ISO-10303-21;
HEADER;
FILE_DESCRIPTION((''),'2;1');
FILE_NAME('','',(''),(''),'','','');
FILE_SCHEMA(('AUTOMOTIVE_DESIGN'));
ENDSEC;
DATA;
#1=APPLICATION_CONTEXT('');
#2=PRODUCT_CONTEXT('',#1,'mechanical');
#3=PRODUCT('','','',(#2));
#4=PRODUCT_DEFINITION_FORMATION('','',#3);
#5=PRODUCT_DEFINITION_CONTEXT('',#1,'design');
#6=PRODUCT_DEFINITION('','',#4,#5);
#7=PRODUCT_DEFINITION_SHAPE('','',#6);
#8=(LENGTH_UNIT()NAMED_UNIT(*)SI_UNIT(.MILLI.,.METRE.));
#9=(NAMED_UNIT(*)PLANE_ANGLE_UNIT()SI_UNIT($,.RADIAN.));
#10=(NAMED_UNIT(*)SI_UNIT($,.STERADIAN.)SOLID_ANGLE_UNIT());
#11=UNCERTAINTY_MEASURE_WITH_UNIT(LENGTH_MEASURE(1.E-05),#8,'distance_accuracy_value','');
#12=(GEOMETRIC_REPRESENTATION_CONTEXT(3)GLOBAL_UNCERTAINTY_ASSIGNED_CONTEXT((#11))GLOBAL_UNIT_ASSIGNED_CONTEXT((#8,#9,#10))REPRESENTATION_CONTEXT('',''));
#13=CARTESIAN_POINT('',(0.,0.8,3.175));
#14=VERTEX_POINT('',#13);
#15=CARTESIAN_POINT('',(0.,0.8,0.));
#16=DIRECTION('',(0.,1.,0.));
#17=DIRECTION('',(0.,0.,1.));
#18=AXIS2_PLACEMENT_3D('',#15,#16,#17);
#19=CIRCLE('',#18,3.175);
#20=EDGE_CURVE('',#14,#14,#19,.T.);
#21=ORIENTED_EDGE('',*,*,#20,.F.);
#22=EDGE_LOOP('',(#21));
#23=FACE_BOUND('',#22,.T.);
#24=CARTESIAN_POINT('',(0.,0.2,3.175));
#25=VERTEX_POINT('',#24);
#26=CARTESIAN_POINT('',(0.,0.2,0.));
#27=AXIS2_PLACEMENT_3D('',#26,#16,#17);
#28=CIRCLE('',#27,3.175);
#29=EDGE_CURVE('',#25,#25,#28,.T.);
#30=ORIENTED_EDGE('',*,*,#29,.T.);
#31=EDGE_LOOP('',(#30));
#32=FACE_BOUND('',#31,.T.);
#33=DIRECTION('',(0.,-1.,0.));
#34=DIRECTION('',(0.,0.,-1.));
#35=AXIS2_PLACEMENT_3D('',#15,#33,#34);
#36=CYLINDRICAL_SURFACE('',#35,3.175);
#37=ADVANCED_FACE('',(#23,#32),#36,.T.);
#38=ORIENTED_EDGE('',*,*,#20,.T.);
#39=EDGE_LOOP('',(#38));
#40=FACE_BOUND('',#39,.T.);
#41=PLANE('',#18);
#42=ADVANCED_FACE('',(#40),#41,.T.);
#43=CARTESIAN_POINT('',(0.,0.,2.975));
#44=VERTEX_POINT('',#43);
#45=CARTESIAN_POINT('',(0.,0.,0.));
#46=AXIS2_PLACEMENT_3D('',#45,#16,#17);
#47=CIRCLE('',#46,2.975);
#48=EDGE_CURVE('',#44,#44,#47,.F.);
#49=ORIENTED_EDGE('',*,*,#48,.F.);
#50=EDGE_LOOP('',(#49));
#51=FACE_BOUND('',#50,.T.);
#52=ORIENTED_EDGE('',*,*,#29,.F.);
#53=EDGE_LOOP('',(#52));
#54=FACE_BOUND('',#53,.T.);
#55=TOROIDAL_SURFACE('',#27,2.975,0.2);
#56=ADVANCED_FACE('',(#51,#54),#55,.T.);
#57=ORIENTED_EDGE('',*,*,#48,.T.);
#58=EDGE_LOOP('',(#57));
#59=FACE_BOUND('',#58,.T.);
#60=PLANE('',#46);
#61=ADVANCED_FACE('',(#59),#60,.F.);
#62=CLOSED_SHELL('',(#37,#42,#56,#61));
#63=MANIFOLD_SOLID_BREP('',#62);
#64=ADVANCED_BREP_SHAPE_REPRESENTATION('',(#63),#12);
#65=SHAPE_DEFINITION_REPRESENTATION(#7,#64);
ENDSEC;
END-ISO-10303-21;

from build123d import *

# Parameters (mm, degrees)
SKETCH1_R           = 3.175
BOSS_EXTRUDE1_DEPTH = 0.8
FILLET3_R           = 0.2


with BuildPart() as part:
    # Sketch1 → Boss-Extrude1 (new body)
    with BuildSketch(Plane(origin=(0, 0, 0), x_dir=(1, 0, 0), z_dir=(0, 1, 0))):
        Circle(SKETCH1_R)
    extrude(amount=BOSS_EXTRUDE1_DEPTH)

    # Fillet3
    fillet3_edges = [part.edges().sort_by_distance(p)[0] for p in [
        (-3.175, 0, 0),
    ]]
    fillet(fillet3_edges, radius=FILLET3_R)


solid = part.part
